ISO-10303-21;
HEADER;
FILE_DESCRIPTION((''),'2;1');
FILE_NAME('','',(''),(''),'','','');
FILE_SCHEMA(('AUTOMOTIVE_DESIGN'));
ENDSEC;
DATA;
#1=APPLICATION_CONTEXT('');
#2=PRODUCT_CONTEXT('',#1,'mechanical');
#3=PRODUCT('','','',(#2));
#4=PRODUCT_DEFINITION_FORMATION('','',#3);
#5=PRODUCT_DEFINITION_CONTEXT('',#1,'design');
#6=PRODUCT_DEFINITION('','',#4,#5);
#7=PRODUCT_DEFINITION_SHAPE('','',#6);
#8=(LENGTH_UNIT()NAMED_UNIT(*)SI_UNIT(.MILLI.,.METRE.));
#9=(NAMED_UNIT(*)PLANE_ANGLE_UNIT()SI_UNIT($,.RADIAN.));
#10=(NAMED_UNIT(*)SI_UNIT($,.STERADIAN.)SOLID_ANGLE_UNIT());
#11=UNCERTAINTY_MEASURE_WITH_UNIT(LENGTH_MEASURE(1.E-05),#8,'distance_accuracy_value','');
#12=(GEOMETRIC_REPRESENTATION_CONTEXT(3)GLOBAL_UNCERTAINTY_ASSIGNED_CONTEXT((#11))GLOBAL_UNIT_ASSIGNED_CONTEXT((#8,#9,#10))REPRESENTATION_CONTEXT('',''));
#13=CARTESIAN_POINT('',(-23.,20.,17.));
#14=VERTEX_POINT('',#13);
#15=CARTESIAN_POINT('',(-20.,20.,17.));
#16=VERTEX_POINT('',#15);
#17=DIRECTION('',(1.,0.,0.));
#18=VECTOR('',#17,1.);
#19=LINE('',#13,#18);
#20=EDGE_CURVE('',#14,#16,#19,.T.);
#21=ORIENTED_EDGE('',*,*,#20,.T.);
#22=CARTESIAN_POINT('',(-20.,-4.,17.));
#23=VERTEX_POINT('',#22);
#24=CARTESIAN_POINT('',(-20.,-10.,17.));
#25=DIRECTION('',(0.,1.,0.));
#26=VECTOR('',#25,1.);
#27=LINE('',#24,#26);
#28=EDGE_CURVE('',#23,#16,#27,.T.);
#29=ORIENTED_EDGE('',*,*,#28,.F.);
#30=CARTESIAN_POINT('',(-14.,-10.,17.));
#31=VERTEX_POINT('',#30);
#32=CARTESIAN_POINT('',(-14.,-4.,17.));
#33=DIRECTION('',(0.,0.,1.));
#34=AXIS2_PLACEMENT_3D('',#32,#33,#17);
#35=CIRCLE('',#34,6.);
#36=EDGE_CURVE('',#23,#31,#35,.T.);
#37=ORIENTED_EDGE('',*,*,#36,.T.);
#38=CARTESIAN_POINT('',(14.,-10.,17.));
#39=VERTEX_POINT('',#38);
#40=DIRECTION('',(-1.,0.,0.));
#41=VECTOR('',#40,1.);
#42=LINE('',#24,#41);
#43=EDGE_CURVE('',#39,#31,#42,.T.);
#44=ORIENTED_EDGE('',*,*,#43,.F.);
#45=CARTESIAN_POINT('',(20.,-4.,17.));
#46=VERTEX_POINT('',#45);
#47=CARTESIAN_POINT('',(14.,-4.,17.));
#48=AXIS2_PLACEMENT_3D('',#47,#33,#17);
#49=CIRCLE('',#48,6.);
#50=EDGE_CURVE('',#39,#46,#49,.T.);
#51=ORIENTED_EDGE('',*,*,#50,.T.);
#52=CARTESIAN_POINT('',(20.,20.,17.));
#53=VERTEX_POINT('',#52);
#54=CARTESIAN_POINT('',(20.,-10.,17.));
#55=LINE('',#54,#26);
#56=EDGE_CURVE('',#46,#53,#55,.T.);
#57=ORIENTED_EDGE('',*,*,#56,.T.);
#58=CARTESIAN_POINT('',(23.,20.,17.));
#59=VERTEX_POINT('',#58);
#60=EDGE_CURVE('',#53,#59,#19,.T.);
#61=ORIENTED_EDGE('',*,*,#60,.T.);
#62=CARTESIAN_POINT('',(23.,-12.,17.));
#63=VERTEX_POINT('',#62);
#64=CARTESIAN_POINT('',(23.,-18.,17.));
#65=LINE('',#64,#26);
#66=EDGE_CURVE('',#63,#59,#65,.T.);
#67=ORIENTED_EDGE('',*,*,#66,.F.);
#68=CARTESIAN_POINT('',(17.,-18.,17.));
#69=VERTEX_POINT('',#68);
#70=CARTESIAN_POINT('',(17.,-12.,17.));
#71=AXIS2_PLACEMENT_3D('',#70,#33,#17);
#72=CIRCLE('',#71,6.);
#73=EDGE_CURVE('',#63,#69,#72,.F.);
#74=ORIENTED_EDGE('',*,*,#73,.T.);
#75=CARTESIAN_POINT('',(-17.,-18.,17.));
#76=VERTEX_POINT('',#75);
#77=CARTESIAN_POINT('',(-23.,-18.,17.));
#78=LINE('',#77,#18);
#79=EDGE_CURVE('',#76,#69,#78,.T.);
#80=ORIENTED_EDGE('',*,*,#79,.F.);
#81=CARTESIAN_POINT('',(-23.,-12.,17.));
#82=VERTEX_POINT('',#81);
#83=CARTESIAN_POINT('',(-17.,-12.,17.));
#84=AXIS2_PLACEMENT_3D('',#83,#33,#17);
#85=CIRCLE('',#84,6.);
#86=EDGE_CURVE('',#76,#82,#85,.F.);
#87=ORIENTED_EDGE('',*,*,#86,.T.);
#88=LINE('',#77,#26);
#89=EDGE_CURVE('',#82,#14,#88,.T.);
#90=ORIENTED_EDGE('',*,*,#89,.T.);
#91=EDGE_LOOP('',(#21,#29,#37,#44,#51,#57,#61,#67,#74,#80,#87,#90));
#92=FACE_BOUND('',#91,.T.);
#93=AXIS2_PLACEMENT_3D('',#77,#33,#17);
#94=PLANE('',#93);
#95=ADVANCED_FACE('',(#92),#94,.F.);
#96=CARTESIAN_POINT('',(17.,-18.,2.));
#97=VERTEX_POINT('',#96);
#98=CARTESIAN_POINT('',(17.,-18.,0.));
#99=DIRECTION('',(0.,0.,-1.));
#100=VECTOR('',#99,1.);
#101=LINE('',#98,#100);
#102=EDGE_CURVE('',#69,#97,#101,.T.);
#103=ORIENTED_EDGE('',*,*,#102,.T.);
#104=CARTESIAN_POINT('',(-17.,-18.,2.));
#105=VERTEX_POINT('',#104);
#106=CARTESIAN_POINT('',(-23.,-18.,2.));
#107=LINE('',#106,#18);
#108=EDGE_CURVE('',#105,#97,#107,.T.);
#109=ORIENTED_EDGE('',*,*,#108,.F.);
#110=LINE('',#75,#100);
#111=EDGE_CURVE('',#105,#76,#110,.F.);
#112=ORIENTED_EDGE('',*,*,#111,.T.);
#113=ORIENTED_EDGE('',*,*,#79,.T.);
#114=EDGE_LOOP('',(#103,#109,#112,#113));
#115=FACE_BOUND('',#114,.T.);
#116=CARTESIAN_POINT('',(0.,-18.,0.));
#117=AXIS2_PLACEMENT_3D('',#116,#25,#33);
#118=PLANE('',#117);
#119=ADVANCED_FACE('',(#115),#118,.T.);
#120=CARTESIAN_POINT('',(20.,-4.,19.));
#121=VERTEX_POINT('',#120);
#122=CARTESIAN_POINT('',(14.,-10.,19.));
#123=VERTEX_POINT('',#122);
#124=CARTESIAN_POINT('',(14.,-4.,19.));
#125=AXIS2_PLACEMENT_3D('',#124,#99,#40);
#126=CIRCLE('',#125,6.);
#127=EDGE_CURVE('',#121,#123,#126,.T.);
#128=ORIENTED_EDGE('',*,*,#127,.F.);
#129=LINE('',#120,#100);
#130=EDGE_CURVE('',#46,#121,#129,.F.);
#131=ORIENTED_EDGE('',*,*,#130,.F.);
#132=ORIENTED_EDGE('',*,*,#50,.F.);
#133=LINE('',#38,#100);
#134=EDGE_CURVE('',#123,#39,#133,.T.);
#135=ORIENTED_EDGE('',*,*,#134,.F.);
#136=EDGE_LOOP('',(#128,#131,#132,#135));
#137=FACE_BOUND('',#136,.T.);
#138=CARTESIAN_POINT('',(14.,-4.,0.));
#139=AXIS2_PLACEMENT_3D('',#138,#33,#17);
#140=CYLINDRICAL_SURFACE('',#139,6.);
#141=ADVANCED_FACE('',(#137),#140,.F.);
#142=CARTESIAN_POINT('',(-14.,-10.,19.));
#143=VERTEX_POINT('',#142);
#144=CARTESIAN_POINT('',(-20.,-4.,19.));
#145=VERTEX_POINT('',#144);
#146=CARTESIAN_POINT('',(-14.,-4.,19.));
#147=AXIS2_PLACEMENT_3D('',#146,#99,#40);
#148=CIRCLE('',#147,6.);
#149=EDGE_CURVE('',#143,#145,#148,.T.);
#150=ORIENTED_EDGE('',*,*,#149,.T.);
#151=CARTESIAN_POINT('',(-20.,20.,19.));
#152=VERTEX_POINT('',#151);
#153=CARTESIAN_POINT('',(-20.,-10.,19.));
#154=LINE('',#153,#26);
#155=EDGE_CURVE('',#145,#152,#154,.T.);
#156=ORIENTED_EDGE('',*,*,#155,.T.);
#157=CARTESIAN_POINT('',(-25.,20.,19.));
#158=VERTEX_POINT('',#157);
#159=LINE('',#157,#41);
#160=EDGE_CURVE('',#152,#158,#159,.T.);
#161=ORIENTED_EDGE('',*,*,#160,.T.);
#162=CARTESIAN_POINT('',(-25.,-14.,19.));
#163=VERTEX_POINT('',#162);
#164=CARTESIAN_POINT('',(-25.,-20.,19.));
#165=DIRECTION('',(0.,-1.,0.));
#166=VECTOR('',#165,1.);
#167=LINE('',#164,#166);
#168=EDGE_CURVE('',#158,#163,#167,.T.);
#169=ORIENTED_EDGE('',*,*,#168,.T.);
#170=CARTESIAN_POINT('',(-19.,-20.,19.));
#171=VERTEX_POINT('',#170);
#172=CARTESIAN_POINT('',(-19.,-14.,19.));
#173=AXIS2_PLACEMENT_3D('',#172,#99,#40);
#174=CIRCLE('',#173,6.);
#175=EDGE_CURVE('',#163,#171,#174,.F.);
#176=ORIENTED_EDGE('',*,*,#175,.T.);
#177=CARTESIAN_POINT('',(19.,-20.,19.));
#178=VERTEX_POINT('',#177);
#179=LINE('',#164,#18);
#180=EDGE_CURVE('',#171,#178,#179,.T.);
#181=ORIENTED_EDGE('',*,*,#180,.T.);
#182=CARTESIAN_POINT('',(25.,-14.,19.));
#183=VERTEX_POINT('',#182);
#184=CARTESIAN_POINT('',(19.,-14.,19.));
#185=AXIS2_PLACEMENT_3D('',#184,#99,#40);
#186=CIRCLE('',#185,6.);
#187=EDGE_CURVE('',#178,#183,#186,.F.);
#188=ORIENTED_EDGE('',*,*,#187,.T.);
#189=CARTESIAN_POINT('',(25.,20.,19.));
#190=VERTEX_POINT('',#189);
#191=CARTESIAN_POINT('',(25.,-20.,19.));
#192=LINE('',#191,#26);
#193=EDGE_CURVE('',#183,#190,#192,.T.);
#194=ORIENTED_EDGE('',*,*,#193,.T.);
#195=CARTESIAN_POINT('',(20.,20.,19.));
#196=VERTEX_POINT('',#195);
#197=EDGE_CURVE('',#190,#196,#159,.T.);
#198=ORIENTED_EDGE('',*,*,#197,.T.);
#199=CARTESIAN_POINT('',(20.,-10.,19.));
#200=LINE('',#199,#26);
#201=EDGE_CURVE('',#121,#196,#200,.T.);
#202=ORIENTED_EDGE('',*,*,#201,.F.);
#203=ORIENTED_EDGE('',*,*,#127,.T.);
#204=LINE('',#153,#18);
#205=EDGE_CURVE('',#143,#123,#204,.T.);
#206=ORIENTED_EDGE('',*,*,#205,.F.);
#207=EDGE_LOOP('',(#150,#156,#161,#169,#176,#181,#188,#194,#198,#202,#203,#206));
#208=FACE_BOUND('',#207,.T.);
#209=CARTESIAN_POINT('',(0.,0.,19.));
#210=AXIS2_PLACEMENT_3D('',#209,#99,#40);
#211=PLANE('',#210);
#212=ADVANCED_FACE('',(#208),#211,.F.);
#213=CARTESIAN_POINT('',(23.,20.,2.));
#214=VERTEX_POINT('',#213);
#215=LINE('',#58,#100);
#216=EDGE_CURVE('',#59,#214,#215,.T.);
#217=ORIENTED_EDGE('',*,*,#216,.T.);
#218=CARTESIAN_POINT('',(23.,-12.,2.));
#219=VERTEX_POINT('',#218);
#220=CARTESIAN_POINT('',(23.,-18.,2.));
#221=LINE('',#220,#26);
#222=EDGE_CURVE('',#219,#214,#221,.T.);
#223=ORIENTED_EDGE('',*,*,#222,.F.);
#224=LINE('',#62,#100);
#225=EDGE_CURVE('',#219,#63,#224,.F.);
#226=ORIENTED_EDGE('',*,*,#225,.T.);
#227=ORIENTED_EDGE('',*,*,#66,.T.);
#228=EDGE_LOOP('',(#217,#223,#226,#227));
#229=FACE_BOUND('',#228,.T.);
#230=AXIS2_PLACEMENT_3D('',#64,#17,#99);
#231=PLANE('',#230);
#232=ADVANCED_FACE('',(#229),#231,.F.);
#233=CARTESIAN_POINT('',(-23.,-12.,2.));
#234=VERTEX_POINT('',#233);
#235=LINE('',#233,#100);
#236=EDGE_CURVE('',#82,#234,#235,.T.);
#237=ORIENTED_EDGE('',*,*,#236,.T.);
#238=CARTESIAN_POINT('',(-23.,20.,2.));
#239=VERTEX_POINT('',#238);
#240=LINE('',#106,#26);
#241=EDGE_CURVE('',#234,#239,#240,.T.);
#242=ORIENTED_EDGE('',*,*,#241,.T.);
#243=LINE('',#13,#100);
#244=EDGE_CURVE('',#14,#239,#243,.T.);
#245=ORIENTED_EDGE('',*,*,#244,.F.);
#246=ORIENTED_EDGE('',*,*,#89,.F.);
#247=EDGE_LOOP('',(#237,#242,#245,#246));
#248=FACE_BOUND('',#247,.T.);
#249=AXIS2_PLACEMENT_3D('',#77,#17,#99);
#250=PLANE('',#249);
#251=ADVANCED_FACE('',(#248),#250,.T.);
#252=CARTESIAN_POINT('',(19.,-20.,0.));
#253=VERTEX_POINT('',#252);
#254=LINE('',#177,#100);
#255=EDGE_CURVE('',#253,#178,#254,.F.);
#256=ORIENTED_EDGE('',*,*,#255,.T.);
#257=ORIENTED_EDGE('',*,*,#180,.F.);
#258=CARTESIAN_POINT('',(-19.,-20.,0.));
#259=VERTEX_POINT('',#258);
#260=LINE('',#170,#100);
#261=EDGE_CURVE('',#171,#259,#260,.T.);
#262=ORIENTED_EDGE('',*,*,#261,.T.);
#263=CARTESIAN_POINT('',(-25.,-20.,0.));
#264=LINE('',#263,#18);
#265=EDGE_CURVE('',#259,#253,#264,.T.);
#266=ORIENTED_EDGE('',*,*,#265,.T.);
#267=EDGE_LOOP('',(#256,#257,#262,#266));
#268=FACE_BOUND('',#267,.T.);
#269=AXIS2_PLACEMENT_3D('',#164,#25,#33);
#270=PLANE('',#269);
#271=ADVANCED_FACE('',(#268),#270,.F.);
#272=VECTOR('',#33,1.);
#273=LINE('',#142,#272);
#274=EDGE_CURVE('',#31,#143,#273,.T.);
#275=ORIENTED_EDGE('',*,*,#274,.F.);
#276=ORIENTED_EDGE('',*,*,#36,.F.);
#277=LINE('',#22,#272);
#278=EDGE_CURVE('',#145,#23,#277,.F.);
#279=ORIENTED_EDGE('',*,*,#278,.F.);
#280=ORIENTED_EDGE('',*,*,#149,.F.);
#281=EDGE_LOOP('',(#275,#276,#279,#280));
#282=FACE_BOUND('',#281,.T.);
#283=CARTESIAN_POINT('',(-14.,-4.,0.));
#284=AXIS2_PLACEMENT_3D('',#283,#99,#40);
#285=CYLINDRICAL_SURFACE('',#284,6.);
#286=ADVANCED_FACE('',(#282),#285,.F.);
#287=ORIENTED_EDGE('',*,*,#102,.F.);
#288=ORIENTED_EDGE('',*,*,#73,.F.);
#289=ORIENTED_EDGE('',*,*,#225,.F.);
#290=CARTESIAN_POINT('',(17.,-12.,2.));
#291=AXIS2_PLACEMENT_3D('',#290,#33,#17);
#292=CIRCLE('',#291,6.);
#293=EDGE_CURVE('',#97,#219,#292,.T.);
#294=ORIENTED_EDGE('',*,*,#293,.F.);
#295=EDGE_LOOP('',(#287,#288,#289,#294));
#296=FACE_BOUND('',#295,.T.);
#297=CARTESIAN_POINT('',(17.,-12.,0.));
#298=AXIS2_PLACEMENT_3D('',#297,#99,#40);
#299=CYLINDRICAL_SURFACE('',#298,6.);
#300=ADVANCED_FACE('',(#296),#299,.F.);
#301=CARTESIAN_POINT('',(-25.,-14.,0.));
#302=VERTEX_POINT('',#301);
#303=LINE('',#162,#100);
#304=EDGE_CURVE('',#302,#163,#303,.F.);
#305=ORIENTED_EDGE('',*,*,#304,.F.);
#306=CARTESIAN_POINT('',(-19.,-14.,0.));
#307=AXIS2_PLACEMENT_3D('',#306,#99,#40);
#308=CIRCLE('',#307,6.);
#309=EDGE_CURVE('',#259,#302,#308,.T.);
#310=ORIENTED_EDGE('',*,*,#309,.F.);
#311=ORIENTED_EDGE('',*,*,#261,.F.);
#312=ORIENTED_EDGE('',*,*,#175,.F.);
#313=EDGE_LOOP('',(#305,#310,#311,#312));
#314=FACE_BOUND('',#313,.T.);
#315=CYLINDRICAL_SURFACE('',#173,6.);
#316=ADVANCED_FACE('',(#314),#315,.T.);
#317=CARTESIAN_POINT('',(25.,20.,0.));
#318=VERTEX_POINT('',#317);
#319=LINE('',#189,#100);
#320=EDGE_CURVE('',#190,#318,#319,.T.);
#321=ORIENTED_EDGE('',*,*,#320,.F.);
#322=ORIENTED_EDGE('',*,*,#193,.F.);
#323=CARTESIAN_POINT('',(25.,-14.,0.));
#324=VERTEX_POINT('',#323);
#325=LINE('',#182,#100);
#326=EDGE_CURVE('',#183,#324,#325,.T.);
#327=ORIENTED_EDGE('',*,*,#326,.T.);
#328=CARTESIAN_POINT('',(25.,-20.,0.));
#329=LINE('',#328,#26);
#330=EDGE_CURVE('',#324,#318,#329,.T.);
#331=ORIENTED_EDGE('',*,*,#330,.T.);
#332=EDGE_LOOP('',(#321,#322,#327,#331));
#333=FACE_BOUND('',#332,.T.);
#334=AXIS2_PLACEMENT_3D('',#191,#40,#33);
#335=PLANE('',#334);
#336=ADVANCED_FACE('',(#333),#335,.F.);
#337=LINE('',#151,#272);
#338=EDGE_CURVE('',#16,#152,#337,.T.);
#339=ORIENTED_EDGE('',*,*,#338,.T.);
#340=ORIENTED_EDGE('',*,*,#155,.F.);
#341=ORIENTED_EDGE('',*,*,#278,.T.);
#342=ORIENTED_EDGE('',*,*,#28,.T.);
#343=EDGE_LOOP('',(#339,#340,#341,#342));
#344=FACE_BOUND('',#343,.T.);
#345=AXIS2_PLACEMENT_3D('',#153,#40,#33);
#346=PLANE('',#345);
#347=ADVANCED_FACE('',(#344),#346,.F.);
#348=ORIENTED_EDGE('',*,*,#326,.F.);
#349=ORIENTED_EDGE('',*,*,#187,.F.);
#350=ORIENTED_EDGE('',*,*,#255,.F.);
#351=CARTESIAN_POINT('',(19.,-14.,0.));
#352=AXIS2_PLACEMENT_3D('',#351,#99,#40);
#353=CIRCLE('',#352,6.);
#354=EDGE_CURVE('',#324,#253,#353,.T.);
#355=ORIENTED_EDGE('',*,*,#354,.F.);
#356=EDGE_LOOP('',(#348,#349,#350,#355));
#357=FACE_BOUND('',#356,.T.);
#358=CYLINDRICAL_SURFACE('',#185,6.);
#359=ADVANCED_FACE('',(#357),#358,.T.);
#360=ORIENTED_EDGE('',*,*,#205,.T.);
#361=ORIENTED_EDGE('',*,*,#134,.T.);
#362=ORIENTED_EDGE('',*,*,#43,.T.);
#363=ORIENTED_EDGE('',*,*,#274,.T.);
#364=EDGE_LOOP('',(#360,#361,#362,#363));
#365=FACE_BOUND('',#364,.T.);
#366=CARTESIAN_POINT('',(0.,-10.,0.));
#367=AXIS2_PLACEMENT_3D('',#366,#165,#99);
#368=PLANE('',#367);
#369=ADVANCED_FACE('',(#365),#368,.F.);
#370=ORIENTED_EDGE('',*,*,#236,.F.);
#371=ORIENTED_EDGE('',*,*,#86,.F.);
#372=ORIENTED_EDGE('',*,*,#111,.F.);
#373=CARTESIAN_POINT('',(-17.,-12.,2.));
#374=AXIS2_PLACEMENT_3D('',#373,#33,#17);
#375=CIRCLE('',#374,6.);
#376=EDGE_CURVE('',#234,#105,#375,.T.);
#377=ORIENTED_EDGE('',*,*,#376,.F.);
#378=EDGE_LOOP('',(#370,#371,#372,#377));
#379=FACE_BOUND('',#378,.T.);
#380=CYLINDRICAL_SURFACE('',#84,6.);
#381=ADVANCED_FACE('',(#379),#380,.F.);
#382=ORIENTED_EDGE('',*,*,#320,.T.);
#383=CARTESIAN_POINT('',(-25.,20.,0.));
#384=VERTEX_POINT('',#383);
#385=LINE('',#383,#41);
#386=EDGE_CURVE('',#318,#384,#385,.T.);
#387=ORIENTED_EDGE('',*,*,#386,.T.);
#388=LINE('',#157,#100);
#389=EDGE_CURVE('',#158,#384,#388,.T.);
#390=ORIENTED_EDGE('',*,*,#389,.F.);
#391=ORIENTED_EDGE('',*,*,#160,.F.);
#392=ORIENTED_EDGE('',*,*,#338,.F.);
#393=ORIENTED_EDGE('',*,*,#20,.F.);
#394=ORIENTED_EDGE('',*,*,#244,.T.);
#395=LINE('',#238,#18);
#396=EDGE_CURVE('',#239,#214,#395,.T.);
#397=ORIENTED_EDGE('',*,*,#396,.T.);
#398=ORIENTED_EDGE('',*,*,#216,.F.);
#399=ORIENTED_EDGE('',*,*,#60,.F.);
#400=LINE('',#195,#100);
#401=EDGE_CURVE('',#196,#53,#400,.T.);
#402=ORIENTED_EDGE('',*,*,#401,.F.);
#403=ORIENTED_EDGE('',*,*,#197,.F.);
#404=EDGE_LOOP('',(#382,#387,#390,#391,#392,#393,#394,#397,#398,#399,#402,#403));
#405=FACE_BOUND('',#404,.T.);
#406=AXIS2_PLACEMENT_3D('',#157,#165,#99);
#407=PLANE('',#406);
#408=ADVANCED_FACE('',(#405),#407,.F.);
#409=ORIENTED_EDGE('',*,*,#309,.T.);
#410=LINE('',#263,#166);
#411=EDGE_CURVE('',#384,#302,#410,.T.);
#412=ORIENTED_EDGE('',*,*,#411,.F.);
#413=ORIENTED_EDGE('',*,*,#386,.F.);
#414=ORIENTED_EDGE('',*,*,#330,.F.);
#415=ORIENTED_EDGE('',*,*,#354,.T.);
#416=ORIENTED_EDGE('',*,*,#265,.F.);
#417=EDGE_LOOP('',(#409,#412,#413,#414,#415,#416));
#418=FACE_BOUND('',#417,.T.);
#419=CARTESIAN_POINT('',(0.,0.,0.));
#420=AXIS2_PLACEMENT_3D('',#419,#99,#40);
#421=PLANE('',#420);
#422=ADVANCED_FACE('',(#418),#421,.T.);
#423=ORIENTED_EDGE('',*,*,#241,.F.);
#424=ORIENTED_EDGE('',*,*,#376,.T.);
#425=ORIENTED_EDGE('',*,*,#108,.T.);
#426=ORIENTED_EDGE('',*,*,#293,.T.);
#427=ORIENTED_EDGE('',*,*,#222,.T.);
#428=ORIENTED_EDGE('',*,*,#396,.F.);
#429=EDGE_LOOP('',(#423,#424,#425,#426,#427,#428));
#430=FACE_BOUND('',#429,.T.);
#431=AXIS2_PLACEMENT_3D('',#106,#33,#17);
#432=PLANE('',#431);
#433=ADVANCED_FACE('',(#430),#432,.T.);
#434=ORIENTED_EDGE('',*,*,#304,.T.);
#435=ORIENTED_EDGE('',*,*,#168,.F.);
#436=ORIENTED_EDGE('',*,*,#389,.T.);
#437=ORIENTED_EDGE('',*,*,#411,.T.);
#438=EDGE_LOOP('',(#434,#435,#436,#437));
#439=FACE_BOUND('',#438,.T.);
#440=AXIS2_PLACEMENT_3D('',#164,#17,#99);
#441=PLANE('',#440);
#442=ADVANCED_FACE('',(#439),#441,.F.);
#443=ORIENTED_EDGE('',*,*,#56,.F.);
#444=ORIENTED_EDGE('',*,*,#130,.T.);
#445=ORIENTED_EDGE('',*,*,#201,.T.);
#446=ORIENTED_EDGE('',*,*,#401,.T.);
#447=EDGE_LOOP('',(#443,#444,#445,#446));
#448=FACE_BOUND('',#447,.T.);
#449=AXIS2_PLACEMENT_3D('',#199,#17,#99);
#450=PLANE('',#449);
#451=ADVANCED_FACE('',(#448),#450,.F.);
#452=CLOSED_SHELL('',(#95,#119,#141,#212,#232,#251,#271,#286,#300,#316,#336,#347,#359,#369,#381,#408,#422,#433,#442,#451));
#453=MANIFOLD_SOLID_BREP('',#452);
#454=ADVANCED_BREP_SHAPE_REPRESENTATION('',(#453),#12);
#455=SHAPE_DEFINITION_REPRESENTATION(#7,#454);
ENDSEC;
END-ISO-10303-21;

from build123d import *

# Parameters (mm, degrees)
SKETCH_1_W          = 50
SKETCH_1_H          = 40
EXTRUDE_1_DEPTH     = 19
SKETCH_2_W          = 46
SKETCH_2_H          = 15
CUT_EXTRUDE_1_DEPTH = 38
SKETCH_3_W          = 40
SKETCH_3_H          = 2
CUT_EXTRUDE_2_DEPTH = 30
FILLET_1_R          = 6


with BuildPart() as part:
    # 스케치1 → 보스-돌출1 (new body)
    with BuildSketch(Plane.XY):
        Rectangle(SKETCH_1_W, SKETCH_1_H)
    extrude(amount=EXTRUDE_1_DEPTH)

    # 스케치2 → 컷-돌출1 (cut)
    with BuildSketch(Plane(origin=(0, 20, 0), x_dir=(1, 0, 0), z_dir=(0, 1, 0))):
        with Locations((0, -9.5)):
            Rectangle(SKETCH_2_W, SKETCH_2_H)
    extrude(amount=-CUT_EXTRUDE_1_DEPTH, mode=Mode.SUBTRACT)

    # 스케치3 → 컷-돌출2 (cut)
    with BuildSketch(Plane(origin=(0, 20, 0), x_dir=(1, 0, 0), z_dir=(0, 1, 0))):
        with Locations((0, -18)):
            Rectangle(SKETCH_3_W, SKETCH_3_H)
    extrude(amount=-CUT_EXTRUDE_2_DEPTH, mode=Mode.SUBTRACT)

    # 필렛1
    fillet_1_edges = [part.edges().sort_by_distance(p)[0] for p in [
        (23, -18, 9.5),
        (-23, -18, 9.5),
        (20, -10, 18),
        (-20, -10, 18),
        (25, -20, 9.5),
        (-25, -20, 9.5),
    ]]
    fillet(fillet_1_edges, radius=FILLET_1_R)


solid = part.part
